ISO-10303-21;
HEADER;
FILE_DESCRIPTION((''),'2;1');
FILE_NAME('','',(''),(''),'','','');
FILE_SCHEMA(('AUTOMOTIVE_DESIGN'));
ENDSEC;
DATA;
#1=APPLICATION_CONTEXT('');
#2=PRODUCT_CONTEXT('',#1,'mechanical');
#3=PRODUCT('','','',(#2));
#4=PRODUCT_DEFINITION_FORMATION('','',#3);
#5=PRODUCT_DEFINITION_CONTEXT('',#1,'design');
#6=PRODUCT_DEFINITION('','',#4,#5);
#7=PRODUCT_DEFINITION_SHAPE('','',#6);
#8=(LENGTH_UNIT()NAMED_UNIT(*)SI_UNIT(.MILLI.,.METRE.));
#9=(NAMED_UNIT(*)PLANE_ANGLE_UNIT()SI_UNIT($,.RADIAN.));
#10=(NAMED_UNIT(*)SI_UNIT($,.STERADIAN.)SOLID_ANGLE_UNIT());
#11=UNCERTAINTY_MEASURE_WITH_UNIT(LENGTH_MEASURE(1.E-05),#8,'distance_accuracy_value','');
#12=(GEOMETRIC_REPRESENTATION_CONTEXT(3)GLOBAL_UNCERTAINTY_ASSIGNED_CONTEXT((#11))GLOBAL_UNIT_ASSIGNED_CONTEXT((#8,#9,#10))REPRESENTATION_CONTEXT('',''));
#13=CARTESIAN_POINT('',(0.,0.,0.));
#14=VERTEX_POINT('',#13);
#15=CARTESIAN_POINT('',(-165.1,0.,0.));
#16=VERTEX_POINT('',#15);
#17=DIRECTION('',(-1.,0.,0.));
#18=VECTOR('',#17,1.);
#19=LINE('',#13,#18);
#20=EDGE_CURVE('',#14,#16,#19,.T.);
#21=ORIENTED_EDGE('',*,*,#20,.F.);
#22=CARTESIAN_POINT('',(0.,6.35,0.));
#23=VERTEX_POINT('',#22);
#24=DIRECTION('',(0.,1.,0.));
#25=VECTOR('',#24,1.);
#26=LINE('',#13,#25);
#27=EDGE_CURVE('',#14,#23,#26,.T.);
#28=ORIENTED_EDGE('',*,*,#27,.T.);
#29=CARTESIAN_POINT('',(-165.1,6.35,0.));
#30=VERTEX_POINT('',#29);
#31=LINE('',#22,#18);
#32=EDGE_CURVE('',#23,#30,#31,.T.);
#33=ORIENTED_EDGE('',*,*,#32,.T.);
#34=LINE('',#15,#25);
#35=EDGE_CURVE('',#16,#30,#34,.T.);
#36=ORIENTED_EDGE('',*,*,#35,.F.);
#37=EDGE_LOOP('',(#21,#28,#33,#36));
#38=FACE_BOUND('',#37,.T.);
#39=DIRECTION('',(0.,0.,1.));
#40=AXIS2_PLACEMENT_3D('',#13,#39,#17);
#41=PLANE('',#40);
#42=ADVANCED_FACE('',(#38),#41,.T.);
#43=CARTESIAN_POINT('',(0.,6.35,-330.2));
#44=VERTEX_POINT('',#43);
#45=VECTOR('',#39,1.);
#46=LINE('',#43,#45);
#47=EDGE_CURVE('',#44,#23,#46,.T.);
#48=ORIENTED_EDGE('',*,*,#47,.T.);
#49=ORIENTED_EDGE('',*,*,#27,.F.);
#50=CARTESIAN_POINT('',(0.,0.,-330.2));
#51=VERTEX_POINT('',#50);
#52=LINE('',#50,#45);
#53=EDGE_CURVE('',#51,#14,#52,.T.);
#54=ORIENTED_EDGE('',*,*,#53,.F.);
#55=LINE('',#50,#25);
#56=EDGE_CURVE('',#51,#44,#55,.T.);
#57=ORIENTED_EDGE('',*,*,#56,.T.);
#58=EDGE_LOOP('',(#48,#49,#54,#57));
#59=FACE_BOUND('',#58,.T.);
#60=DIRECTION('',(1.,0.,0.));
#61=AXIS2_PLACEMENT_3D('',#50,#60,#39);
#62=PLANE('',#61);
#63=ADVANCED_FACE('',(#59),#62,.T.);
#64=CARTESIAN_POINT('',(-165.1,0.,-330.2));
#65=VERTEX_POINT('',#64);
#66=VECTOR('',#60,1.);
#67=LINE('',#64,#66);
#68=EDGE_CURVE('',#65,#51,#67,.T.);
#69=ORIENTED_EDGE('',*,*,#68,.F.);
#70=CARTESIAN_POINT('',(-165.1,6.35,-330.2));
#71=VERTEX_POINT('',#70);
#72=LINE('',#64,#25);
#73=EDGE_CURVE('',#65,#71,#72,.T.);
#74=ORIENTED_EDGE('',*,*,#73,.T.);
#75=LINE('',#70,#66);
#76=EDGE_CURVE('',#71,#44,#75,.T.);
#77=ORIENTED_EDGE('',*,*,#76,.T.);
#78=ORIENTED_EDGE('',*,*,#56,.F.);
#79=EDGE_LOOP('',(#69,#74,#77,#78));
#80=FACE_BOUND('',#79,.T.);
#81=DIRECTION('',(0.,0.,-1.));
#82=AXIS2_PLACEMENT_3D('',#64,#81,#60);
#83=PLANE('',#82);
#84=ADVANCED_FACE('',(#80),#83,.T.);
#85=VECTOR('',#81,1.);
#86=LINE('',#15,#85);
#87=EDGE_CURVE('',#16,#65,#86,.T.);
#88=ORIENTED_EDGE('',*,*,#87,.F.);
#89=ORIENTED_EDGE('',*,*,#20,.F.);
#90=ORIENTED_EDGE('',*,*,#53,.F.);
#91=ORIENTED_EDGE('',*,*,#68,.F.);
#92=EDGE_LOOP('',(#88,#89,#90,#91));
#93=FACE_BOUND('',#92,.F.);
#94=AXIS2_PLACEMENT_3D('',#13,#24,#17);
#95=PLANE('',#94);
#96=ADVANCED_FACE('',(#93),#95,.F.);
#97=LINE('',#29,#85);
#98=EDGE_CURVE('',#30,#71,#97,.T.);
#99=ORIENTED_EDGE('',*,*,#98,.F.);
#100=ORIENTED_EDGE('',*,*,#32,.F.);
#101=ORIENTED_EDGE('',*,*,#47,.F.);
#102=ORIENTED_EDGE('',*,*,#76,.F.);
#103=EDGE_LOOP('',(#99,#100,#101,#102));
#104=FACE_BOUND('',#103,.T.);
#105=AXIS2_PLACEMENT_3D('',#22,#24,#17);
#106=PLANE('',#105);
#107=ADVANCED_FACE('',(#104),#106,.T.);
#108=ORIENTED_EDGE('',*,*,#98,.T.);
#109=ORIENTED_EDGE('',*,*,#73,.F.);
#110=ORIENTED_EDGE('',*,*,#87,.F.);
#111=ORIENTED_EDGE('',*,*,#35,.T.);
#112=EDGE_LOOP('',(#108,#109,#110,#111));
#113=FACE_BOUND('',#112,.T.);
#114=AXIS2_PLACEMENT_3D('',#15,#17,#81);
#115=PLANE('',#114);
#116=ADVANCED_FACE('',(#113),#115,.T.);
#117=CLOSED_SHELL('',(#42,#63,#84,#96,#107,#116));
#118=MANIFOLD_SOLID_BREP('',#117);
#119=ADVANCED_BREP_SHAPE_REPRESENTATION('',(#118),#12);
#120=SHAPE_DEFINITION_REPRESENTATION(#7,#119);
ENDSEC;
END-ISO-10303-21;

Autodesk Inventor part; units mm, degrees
ref_plane "YZ Plane" through (0, 0, 0) normal (1, 0, 0) x (0, 1, 0)
ref_plane "XZ Plane" through (0, 0, 0) normal (0, 1, 0) x (-1, 0, 0)
ref_plane "XY Plane" through (0, 0, 0) normal (0, 0, 1) x (1, 0, 0)
sketch "Sketch1" plane through (0, 0, 0) normal (0, 1, 0) x (-1, 0, 0)
  line L0 (0, 0) -> (165.1, 0)
  line L1 (165.1, 0) -> (165.1, -330.2)
  line L2 (165.1, -330.2) -> (0, -330.2)
  line L3 (0, -330.2) -> (0, 0)
  dimension "d0" = 330.2
  dimension "d1" = 165.1
extrude "Plate1" add sketch "Sketch1" along normal blind 6.35
equation "\"d2\" = Thickness"
equation "\"BendRadius\" = Thickness"
equation "\"BendReliefWidth\" = Thickness"
equation "\"BendReliefDepth\" = 0.5 * Thickness"
equation "\"CornerReliefSize\" = 4 * Thickness"
equation "\"MinimumRemnant\" = 2 * Thickness"
equation "\"TransitionRadius\" = BendRadius"
equation "\"JacobiRadiusSize\" = BendRadius"
equation "\"GapSize\" = Thickness"
equation "\"Thickness\" = 6.35"
properties part number "21015-22-1-5- Manifold mounting plate" material "Steel, Carbon"
